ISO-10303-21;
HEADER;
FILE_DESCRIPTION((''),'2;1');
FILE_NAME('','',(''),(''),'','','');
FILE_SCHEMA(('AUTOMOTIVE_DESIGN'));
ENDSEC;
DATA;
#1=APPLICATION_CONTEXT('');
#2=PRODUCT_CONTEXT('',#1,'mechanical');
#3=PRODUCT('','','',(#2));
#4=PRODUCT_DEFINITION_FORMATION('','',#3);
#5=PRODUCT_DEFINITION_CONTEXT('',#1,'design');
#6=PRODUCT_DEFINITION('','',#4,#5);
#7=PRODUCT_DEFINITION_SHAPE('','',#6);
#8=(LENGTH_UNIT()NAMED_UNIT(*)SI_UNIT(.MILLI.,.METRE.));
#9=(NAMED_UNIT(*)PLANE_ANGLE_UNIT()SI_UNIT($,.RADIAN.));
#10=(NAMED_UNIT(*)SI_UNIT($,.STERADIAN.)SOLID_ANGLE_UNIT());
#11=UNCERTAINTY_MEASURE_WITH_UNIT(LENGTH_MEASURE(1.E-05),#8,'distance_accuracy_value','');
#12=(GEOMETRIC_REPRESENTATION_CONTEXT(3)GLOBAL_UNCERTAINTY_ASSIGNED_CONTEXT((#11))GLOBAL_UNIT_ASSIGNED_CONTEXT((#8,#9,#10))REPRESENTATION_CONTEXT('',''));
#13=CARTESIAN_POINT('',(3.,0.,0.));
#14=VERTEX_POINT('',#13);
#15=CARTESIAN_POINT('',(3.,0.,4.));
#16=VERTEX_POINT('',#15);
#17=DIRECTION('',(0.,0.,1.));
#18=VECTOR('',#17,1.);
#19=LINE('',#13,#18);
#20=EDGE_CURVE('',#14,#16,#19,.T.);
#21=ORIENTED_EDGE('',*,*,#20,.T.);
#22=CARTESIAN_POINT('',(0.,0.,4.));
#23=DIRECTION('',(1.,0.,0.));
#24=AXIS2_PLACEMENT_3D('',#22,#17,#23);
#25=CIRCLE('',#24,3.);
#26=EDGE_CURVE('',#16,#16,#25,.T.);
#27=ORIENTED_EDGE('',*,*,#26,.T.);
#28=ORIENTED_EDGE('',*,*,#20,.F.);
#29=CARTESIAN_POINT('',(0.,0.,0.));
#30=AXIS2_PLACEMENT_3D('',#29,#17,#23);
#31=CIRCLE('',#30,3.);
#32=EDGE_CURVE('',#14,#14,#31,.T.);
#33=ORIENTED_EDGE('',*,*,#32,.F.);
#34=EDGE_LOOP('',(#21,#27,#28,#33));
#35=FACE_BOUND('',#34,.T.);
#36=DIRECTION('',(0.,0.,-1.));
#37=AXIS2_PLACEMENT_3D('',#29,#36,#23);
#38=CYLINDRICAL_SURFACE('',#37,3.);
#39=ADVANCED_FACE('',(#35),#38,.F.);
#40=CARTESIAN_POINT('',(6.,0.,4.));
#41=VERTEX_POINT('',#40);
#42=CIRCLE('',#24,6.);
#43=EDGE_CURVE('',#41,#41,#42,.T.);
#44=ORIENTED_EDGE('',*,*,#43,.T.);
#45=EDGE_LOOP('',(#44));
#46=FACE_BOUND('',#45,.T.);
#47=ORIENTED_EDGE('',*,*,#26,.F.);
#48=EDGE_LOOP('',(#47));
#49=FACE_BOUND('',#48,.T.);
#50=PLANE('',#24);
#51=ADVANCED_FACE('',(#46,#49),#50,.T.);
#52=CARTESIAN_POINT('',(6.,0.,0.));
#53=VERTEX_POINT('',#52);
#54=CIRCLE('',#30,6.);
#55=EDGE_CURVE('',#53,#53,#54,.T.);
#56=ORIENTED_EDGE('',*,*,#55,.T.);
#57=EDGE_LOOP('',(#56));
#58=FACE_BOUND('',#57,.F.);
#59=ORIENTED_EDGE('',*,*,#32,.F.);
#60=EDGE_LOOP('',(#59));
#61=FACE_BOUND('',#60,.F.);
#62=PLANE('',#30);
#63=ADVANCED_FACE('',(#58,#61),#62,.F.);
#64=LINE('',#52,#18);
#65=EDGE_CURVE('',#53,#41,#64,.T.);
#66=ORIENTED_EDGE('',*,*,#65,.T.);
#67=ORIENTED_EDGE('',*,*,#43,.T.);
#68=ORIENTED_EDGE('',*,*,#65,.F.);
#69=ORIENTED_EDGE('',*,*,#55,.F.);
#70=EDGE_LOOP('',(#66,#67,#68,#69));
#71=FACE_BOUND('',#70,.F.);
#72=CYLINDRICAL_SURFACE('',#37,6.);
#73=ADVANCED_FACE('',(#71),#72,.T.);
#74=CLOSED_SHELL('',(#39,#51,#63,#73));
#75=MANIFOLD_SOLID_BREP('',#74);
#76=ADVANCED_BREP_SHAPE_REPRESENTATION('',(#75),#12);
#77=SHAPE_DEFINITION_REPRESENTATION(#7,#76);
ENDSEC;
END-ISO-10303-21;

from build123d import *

# Parameters (mm, degrees)
ESQUISSE1_R      = 6
ESQUISSE1_R_2    = 3
EXTRUSION1_DEPTH = 4


with BuildPart() as part:
    # Esquisse1 → Extrusion1 (new body)
    with BuildSketch(Plane.XY):
        Circle(ESQUISSE1_R)
        Circle(ESQUISSE1_R_2, mode=Mode.SUBTRACT)
    extrude(amount=EXTRUSION1_DEPTH)


solid = part.part
